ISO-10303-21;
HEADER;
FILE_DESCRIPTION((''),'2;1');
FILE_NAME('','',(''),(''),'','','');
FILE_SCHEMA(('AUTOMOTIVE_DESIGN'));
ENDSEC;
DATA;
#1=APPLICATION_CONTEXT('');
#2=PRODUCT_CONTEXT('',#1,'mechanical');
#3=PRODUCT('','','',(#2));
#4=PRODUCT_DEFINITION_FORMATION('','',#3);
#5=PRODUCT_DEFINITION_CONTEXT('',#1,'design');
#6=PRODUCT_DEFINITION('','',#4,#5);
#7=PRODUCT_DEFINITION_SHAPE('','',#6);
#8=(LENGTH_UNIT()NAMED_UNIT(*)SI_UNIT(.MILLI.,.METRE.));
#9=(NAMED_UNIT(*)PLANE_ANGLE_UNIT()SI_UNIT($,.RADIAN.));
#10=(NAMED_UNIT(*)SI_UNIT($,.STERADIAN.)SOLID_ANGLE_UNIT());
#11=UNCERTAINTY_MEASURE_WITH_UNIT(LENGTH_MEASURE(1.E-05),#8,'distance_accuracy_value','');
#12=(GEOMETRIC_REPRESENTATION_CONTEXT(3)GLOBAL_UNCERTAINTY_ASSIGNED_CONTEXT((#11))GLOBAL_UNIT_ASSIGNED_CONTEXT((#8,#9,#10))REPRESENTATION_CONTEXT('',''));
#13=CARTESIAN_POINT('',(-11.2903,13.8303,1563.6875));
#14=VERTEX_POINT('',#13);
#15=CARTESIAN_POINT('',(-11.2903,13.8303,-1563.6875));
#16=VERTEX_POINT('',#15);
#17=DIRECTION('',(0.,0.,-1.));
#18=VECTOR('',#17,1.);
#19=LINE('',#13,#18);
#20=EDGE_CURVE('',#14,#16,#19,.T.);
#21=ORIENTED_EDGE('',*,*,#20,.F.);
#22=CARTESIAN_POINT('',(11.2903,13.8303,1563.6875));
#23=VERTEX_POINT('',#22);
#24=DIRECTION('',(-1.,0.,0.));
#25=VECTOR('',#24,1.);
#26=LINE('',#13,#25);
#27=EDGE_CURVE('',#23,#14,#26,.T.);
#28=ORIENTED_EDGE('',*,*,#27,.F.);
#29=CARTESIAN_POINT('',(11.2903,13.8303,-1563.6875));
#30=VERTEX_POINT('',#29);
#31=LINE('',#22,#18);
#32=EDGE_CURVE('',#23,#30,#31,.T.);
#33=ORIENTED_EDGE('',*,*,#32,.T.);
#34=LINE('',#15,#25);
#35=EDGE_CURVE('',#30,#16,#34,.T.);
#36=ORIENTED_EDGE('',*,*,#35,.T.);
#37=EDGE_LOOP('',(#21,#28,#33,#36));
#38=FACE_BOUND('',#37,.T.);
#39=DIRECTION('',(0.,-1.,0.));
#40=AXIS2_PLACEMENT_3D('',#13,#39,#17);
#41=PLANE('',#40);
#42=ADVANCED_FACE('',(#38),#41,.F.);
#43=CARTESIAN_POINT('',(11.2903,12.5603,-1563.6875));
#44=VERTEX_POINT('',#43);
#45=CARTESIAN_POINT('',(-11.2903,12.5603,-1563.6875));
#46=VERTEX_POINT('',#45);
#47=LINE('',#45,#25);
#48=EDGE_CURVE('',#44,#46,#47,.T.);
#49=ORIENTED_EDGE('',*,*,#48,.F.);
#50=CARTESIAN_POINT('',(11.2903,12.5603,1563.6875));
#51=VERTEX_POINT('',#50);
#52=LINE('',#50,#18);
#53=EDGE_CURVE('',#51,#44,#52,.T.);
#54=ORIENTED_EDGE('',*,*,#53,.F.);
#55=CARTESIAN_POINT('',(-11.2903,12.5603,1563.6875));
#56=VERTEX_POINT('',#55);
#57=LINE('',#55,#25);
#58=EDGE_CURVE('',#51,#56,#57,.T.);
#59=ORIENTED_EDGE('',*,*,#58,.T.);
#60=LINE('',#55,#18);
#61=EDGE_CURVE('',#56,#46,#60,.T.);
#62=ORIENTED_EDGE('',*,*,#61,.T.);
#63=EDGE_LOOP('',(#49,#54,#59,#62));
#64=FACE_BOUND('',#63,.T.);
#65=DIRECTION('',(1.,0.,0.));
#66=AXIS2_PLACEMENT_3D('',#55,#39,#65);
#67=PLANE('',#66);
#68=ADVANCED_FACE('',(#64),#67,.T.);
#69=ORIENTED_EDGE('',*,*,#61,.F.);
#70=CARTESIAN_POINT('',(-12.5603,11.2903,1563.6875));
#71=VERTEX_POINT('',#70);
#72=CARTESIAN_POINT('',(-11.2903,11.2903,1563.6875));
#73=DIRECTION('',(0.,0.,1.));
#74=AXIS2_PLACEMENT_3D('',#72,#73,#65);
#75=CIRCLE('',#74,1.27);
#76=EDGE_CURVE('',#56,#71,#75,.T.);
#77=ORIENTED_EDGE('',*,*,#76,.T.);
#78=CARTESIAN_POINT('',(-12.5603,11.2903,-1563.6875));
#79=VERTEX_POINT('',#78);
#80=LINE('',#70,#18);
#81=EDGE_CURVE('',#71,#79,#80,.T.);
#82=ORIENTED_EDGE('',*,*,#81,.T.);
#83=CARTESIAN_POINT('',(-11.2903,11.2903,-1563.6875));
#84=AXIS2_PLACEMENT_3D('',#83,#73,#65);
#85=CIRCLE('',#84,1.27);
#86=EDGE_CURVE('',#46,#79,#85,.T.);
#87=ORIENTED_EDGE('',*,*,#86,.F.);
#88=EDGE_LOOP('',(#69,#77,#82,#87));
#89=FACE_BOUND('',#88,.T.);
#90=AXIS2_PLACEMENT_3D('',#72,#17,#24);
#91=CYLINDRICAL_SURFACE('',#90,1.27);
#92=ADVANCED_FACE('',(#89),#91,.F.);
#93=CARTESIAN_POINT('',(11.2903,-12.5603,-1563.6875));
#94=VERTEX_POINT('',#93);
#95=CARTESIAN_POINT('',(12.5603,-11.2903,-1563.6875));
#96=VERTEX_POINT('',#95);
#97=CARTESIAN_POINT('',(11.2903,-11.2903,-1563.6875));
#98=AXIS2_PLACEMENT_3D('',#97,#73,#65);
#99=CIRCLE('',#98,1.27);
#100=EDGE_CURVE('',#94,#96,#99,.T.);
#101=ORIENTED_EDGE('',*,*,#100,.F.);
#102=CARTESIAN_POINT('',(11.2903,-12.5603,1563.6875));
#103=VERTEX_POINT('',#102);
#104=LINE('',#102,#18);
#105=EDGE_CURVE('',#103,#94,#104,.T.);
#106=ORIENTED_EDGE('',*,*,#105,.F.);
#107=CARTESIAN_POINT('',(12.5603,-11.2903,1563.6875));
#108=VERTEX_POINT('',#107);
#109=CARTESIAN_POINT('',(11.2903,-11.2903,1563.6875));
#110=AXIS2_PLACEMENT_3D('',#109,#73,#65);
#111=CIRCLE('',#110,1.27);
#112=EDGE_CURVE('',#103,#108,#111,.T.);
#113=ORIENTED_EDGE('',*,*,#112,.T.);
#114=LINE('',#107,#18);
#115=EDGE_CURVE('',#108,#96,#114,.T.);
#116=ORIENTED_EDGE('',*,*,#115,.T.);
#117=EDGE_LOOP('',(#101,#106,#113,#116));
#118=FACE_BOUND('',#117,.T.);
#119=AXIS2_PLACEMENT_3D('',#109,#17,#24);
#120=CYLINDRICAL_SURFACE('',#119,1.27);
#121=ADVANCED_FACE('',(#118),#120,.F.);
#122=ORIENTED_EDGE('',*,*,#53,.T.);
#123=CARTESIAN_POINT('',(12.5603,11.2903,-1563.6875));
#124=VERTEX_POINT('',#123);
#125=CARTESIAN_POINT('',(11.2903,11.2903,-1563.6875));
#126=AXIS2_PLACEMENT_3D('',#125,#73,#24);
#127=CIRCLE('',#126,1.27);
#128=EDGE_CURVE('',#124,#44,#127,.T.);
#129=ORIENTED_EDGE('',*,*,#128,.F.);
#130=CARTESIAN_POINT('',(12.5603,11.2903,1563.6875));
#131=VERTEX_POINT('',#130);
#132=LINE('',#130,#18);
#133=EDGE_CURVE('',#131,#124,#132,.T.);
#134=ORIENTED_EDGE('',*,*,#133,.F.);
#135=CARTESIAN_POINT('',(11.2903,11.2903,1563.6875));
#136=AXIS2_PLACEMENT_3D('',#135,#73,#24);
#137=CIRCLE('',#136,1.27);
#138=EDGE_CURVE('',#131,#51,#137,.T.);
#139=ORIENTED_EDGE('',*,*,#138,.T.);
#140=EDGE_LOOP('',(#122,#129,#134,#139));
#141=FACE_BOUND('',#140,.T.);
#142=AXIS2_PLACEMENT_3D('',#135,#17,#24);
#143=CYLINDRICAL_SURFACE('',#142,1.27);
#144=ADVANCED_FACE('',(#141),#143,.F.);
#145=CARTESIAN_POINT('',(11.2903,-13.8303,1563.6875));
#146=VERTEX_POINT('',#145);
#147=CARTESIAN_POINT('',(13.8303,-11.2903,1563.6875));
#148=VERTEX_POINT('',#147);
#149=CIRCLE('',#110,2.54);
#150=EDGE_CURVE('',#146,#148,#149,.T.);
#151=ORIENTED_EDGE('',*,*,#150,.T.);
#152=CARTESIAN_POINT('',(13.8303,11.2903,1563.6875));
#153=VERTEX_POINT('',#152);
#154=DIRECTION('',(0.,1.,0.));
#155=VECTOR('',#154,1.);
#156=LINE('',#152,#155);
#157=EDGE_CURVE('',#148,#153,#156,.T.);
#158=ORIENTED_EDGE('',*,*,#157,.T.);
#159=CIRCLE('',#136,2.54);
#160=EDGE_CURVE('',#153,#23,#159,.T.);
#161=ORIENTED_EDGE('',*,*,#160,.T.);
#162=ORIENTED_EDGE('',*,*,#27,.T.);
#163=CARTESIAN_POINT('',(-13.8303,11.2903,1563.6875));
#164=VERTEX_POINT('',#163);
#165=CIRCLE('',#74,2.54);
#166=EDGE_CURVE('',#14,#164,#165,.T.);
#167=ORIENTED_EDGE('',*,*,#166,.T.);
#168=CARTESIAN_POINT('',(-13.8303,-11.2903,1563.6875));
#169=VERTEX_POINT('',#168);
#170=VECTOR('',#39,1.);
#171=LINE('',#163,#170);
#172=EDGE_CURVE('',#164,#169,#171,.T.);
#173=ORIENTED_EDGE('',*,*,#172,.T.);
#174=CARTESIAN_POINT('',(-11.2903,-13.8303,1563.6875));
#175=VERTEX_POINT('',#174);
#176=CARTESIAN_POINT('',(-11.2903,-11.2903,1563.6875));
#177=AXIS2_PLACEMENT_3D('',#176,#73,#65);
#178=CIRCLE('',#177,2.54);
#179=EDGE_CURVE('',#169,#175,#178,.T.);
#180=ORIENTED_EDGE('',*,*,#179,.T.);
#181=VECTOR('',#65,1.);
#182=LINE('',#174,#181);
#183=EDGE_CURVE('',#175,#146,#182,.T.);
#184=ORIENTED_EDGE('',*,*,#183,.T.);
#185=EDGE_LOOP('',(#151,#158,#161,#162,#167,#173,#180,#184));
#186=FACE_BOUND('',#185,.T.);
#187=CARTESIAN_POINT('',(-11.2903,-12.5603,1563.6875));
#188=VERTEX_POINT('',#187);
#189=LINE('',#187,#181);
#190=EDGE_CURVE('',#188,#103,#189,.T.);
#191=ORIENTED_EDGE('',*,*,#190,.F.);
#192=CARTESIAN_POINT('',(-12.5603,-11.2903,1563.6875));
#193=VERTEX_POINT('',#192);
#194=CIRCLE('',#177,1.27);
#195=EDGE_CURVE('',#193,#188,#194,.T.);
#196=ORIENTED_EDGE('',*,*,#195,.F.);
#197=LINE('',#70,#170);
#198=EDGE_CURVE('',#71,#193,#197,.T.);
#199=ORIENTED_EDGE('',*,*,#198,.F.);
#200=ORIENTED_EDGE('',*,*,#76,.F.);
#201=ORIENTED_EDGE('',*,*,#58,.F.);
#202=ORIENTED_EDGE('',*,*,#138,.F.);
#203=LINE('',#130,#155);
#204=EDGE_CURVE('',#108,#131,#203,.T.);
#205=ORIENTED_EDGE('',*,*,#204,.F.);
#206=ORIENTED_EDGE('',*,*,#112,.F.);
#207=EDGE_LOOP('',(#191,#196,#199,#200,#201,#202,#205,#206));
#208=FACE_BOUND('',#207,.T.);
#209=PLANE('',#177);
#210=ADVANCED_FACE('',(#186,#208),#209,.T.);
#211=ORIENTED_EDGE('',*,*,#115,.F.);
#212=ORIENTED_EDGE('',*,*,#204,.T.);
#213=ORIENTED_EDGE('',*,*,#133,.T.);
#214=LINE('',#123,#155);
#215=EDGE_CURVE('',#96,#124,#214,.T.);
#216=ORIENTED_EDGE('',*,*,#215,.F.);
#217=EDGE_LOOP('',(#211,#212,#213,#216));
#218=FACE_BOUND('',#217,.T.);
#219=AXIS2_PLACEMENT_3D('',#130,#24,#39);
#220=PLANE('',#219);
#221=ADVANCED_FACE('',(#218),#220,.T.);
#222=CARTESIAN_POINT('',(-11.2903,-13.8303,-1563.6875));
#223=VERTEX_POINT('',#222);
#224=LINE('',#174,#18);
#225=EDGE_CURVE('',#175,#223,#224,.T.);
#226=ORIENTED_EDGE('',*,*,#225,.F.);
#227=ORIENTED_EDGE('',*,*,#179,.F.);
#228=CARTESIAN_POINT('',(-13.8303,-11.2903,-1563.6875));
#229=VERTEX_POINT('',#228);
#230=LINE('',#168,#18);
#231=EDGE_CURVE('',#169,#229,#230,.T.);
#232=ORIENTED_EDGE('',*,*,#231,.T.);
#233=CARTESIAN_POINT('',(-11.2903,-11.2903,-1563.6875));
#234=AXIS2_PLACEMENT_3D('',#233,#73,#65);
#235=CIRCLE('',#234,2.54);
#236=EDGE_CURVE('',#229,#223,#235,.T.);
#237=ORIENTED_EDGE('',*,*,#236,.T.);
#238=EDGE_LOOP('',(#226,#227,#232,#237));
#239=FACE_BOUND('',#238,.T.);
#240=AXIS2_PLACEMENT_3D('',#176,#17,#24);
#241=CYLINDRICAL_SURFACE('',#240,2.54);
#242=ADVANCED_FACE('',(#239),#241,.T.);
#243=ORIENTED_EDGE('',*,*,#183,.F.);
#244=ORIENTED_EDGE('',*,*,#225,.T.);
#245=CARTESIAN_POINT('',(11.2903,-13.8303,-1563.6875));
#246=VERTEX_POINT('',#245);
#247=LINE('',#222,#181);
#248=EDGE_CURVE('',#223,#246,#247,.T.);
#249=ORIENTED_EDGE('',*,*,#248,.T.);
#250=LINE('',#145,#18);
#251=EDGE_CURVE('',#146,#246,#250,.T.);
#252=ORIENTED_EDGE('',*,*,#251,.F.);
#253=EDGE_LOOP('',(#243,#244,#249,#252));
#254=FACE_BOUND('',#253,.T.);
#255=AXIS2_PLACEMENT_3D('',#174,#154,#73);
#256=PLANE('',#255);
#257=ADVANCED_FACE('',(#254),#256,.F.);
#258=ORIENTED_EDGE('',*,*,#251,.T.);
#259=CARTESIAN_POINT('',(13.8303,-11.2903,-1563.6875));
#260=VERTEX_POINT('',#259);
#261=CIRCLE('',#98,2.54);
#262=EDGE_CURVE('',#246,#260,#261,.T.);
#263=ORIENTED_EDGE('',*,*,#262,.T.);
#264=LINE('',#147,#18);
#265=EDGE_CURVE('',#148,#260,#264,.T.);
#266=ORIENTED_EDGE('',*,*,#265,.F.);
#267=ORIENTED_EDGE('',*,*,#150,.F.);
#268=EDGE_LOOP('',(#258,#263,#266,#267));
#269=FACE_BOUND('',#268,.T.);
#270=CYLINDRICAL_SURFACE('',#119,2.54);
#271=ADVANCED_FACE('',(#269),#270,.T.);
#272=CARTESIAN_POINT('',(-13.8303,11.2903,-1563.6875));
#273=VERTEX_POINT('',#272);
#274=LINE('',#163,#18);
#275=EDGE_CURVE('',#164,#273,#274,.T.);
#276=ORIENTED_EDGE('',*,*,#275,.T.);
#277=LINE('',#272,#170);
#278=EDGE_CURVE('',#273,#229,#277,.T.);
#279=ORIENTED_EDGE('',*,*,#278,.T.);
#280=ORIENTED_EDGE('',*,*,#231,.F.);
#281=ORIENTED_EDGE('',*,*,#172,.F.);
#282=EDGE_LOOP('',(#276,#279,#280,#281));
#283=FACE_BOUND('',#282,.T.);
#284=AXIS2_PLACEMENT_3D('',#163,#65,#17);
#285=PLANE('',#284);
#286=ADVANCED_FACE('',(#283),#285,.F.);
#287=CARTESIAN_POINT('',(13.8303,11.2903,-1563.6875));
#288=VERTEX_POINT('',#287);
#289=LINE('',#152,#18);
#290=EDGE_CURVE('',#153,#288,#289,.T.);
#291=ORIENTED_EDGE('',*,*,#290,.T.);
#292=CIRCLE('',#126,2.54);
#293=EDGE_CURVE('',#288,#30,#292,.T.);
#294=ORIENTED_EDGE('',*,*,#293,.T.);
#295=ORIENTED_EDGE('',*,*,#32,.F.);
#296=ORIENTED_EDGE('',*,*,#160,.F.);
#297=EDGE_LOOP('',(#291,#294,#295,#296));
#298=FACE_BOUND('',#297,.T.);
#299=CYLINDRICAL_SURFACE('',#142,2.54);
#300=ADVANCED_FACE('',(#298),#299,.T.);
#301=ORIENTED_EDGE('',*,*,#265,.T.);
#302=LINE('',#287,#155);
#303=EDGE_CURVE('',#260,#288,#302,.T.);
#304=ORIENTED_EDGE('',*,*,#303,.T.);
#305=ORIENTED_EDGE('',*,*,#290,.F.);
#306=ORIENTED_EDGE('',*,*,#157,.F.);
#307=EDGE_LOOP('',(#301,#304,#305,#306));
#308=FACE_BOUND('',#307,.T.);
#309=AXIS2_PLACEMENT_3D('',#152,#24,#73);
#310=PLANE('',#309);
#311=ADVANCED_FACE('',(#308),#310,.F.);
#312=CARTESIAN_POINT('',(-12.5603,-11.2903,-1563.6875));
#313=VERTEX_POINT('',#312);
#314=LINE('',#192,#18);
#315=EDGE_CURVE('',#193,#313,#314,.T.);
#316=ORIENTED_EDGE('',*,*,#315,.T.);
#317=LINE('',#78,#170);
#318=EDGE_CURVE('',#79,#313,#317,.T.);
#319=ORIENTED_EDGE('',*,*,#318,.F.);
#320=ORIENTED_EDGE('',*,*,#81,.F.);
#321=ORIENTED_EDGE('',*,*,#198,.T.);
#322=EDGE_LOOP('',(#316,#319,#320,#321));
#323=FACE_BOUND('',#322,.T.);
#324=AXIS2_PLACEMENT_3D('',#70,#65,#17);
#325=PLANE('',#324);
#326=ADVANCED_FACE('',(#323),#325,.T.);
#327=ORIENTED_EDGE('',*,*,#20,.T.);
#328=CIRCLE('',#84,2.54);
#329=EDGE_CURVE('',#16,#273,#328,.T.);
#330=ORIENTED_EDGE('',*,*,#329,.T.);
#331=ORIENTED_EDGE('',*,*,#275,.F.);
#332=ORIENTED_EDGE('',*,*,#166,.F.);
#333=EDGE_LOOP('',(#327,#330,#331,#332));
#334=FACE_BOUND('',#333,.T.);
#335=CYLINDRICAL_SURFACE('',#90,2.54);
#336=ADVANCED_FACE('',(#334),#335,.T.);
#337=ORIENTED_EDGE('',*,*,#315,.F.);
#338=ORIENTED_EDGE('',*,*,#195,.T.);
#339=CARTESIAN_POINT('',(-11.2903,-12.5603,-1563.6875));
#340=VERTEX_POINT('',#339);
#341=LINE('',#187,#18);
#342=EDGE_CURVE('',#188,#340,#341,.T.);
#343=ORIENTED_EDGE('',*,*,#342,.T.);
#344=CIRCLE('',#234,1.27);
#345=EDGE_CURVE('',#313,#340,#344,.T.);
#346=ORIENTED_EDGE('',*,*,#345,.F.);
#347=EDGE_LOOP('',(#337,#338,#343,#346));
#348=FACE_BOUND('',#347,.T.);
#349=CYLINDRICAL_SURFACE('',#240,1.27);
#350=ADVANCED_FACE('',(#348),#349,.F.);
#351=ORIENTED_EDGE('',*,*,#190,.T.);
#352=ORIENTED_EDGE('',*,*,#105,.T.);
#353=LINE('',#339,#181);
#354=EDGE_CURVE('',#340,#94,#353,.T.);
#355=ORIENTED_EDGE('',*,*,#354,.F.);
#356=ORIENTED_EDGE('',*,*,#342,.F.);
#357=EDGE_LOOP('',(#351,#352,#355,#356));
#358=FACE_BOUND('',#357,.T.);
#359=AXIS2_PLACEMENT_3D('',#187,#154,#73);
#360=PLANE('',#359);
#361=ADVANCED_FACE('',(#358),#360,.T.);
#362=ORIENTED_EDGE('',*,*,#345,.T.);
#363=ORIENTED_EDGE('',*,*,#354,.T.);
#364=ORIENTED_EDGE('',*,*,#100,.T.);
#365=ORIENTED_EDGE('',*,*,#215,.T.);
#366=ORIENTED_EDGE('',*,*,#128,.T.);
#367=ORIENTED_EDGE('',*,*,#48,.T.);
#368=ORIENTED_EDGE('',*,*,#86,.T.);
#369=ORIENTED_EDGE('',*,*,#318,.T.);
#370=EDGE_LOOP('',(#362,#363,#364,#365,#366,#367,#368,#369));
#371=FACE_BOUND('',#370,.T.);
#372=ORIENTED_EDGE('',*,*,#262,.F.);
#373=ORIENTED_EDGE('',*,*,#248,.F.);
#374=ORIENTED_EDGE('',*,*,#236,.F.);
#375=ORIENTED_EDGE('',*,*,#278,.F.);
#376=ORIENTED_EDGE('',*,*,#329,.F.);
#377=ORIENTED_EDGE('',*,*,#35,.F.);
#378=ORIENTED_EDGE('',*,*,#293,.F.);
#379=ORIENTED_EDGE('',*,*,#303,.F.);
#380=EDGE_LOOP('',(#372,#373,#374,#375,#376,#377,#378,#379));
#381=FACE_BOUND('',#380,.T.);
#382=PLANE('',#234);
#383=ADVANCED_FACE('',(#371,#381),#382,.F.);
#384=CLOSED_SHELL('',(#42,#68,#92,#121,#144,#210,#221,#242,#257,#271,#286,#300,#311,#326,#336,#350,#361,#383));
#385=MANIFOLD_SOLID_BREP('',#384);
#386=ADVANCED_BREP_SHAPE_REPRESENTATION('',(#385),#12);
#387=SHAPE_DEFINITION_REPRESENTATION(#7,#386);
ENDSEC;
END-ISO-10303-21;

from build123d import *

# Parameters (mm, degrees)
BOSS_EXTRUDE1_DEPTH = 1563.6875


with BuildPart() as part:
    # Sketch1 → Boss-Extrude1 (new body, symmetric)
    with BuildSketch(Plane.XY):
        with BuildLine():
            Line((-11.2903, 13.8303), (11.2903, 13.8303))
            ThreePointArc((11.2903, 13.8303), (13.086351224, 13.086351224), (13.8303, 11.2903))
            Line((13.8303, 11.2903), (13.8303, -11.2903))
            ThreePointArc((13.8303, -11.2903), (13.086351224, -13.086351224), (11.2903, -13.8303))
            Line((11.2903, -13.8303), (-11.2903, -13.8303))
            ThreePointArc((-11.2903, -13.8303), (-13.086351224, -13.086351224), (-13.8303, -11.2903))
            Line((-13.8303, -11.2903), (-13.8303, 11.2903))
            ThreePointArc((-13.8303, 11.2903), (-13.086351224, 13.086351224), (-11.2903, 13.8303))
        make_face()
        with BuildLine():
            Line((-12.5603, 11.2903), (-12.5603, -11.2903))
            ThreePointArc((-12.5603, -11.2903), (-12.188325612, -12.188325612), (-11.2903, -12.5603))
            Line((-11.2903, -12.5603), (11.2903, -12.5603))
            ThreePointArc((11.2903, -12.5603), (12.188325612, -12.188325612), (12.5603, -11.2903))
            Line((12.5603, -11.2903), (12.5603, 11.2903))
            ThreePointArc((12.5603, 11.2903), (12.188325612, 12.188325612), (11.2903, 12.5603))
            Line((11.2903, 12.5603), (-11.2903, 12.5603))
            ThreePointArc((-11.2903, 12.5603), (-12.188325612, 12.188325612), (-12.5603, 11.2903))
        make_face(mode=Mode.SUBTRACT)
    extrude(amount=BOSS_EXTRUDE1_DEPTH, both=True)


solid = part.part
